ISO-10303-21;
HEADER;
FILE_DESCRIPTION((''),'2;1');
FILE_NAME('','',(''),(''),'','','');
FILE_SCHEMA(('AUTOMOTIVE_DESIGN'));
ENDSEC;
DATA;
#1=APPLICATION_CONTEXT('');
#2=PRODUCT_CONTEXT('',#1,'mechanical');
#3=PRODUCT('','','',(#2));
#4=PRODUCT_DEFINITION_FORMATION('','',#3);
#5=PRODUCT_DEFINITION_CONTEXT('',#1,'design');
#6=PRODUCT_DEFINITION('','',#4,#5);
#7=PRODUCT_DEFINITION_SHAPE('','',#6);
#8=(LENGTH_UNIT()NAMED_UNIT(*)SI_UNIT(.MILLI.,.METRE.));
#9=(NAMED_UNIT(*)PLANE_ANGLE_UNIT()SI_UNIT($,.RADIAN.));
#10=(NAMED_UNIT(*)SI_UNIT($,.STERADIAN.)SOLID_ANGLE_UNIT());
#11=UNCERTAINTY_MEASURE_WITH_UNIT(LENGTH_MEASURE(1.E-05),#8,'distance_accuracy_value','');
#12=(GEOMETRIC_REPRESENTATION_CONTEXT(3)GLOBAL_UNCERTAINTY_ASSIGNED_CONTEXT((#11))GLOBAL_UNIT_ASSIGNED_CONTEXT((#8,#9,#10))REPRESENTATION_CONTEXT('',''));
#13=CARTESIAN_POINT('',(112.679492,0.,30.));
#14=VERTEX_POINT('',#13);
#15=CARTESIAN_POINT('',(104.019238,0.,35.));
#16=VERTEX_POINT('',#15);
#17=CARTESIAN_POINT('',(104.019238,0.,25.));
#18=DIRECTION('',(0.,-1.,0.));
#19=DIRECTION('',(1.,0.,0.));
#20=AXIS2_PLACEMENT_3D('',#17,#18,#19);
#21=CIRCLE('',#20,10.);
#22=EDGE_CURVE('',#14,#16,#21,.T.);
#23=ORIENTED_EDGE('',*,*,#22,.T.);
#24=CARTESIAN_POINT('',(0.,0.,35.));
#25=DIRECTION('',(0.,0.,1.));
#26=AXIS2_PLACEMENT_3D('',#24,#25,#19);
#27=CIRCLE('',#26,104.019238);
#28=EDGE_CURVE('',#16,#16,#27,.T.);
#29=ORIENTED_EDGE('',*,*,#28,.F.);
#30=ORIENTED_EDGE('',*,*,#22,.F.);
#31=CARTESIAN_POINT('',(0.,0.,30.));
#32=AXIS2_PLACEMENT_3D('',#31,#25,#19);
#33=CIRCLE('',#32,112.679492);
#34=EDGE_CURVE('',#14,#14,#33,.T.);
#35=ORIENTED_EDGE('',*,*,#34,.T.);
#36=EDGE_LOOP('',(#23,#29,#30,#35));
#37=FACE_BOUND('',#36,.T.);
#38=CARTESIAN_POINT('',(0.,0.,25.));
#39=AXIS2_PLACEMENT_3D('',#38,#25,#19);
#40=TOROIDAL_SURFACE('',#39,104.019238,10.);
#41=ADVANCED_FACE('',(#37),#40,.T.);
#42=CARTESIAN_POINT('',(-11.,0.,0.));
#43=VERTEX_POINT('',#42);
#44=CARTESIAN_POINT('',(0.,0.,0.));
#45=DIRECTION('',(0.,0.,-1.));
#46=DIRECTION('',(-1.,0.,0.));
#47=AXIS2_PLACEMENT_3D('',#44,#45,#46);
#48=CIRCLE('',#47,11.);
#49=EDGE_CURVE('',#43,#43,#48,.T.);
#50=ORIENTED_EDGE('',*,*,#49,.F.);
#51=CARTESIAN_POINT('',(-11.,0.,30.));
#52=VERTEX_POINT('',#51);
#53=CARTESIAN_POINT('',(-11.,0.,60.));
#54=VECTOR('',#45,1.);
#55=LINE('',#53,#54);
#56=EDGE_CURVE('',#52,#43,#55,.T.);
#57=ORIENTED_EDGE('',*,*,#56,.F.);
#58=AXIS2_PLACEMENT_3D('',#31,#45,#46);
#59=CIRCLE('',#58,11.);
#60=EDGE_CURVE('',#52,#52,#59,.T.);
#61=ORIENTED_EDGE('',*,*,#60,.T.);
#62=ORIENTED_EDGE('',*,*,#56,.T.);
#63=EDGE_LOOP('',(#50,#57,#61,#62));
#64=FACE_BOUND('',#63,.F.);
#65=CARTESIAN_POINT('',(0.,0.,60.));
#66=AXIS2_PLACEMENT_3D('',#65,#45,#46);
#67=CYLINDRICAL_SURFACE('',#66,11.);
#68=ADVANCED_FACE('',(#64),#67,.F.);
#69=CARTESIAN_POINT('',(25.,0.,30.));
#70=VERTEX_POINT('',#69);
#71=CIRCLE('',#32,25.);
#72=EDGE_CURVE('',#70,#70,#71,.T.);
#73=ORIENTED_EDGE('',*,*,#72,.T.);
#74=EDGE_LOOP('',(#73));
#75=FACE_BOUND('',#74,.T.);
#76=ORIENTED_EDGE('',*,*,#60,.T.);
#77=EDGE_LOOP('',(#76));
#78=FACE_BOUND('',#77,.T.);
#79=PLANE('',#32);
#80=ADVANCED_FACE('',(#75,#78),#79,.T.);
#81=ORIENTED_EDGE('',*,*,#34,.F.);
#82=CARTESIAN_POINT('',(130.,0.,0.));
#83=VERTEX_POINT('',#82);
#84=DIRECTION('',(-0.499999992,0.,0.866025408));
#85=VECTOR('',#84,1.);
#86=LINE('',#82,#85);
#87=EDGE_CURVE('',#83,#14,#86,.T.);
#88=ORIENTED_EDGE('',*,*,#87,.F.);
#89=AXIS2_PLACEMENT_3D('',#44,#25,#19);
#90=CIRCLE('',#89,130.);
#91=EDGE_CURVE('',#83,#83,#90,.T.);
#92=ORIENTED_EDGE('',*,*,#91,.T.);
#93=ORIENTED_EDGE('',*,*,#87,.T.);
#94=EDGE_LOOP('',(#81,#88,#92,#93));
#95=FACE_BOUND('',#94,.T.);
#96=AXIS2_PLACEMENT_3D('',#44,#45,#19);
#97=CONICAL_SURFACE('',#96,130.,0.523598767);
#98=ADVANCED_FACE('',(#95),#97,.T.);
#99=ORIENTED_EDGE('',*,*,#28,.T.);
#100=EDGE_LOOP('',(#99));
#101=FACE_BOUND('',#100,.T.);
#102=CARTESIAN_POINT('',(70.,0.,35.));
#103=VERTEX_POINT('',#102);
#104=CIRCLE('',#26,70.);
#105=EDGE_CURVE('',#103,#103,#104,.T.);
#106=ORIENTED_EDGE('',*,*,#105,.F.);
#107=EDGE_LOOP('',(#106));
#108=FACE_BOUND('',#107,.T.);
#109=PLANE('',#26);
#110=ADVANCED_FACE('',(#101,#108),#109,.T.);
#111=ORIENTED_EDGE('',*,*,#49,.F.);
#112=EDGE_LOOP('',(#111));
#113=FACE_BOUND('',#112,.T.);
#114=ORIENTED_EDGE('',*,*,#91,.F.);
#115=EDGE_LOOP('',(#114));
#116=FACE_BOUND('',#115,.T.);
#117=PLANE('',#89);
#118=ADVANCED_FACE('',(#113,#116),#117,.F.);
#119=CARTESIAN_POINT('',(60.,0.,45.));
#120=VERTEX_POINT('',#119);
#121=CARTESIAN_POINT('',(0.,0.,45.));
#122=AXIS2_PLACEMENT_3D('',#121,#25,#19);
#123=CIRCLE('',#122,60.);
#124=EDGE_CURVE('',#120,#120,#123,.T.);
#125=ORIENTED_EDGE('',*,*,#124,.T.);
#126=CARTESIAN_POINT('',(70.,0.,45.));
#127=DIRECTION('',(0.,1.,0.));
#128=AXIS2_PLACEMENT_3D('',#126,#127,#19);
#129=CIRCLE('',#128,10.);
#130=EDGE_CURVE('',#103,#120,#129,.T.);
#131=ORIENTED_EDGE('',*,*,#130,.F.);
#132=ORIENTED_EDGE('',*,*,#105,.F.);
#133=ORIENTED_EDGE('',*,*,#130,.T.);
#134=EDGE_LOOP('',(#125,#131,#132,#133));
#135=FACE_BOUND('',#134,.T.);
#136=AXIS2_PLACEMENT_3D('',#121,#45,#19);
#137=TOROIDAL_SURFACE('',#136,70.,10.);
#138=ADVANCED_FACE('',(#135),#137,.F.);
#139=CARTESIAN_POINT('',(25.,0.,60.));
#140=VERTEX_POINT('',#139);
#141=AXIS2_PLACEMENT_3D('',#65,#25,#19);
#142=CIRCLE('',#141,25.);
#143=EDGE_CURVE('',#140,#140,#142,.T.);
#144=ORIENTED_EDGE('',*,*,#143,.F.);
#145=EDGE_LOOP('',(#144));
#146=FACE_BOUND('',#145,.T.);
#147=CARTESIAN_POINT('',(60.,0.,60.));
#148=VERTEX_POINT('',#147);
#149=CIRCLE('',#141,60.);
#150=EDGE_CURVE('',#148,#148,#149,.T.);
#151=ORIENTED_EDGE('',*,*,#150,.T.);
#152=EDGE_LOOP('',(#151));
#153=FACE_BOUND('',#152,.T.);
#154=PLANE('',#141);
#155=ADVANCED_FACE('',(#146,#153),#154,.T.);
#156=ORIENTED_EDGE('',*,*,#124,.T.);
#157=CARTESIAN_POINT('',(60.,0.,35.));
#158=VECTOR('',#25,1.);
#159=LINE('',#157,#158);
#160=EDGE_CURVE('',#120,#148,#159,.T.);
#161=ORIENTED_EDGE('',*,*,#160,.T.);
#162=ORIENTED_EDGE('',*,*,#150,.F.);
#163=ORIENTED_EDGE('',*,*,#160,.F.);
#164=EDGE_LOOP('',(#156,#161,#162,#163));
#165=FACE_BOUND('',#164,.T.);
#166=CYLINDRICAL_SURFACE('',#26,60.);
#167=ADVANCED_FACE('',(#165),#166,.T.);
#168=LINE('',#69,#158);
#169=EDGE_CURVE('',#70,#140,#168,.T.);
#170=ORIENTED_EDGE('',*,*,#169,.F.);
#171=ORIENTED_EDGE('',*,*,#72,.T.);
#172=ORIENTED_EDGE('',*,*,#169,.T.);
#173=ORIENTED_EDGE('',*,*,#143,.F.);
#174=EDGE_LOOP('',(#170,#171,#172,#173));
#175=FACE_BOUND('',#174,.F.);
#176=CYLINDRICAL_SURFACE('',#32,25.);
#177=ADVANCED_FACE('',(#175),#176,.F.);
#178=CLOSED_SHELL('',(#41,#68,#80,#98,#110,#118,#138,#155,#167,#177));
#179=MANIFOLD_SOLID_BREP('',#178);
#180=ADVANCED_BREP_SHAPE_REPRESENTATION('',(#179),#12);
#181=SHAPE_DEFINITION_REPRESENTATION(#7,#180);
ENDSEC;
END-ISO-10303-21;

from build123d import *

# Parameters (mm, degrees)
F3_D           = 22
F3_CBORE_D     = 50
F3_CBORE_DEPTH = 30
F4_R           = 10


with BuildPart() as f1:
    # F0 (on Front) → F1 (revolve)
    with BuildSketch(Plane.XZ):
        Polygon((0, 60), (0, 0), (130, 0), (109.792741, 35), (60, 35), (60, 60), align=None)
    revolve(axis=Axis((0, 0, 30), (0, 0, 1)))

    # F3 (through all)
    with Locations(Plane.XY.offset(60)):
        with Locations((0, 0)):
            CounterBoreHole(F3_D / 2, F3_CBORE_D / 2, F3_CBORE_DEPTH)

    # F4
    f4_edges = [f1.edges().sort_by_distance(p)[0] for p in [
        (-60, 0, 35),
        (-109.792741, 0, 35),
    ]]
    fillet(f4_edges, radius=F4_R)


solid = f1.part
